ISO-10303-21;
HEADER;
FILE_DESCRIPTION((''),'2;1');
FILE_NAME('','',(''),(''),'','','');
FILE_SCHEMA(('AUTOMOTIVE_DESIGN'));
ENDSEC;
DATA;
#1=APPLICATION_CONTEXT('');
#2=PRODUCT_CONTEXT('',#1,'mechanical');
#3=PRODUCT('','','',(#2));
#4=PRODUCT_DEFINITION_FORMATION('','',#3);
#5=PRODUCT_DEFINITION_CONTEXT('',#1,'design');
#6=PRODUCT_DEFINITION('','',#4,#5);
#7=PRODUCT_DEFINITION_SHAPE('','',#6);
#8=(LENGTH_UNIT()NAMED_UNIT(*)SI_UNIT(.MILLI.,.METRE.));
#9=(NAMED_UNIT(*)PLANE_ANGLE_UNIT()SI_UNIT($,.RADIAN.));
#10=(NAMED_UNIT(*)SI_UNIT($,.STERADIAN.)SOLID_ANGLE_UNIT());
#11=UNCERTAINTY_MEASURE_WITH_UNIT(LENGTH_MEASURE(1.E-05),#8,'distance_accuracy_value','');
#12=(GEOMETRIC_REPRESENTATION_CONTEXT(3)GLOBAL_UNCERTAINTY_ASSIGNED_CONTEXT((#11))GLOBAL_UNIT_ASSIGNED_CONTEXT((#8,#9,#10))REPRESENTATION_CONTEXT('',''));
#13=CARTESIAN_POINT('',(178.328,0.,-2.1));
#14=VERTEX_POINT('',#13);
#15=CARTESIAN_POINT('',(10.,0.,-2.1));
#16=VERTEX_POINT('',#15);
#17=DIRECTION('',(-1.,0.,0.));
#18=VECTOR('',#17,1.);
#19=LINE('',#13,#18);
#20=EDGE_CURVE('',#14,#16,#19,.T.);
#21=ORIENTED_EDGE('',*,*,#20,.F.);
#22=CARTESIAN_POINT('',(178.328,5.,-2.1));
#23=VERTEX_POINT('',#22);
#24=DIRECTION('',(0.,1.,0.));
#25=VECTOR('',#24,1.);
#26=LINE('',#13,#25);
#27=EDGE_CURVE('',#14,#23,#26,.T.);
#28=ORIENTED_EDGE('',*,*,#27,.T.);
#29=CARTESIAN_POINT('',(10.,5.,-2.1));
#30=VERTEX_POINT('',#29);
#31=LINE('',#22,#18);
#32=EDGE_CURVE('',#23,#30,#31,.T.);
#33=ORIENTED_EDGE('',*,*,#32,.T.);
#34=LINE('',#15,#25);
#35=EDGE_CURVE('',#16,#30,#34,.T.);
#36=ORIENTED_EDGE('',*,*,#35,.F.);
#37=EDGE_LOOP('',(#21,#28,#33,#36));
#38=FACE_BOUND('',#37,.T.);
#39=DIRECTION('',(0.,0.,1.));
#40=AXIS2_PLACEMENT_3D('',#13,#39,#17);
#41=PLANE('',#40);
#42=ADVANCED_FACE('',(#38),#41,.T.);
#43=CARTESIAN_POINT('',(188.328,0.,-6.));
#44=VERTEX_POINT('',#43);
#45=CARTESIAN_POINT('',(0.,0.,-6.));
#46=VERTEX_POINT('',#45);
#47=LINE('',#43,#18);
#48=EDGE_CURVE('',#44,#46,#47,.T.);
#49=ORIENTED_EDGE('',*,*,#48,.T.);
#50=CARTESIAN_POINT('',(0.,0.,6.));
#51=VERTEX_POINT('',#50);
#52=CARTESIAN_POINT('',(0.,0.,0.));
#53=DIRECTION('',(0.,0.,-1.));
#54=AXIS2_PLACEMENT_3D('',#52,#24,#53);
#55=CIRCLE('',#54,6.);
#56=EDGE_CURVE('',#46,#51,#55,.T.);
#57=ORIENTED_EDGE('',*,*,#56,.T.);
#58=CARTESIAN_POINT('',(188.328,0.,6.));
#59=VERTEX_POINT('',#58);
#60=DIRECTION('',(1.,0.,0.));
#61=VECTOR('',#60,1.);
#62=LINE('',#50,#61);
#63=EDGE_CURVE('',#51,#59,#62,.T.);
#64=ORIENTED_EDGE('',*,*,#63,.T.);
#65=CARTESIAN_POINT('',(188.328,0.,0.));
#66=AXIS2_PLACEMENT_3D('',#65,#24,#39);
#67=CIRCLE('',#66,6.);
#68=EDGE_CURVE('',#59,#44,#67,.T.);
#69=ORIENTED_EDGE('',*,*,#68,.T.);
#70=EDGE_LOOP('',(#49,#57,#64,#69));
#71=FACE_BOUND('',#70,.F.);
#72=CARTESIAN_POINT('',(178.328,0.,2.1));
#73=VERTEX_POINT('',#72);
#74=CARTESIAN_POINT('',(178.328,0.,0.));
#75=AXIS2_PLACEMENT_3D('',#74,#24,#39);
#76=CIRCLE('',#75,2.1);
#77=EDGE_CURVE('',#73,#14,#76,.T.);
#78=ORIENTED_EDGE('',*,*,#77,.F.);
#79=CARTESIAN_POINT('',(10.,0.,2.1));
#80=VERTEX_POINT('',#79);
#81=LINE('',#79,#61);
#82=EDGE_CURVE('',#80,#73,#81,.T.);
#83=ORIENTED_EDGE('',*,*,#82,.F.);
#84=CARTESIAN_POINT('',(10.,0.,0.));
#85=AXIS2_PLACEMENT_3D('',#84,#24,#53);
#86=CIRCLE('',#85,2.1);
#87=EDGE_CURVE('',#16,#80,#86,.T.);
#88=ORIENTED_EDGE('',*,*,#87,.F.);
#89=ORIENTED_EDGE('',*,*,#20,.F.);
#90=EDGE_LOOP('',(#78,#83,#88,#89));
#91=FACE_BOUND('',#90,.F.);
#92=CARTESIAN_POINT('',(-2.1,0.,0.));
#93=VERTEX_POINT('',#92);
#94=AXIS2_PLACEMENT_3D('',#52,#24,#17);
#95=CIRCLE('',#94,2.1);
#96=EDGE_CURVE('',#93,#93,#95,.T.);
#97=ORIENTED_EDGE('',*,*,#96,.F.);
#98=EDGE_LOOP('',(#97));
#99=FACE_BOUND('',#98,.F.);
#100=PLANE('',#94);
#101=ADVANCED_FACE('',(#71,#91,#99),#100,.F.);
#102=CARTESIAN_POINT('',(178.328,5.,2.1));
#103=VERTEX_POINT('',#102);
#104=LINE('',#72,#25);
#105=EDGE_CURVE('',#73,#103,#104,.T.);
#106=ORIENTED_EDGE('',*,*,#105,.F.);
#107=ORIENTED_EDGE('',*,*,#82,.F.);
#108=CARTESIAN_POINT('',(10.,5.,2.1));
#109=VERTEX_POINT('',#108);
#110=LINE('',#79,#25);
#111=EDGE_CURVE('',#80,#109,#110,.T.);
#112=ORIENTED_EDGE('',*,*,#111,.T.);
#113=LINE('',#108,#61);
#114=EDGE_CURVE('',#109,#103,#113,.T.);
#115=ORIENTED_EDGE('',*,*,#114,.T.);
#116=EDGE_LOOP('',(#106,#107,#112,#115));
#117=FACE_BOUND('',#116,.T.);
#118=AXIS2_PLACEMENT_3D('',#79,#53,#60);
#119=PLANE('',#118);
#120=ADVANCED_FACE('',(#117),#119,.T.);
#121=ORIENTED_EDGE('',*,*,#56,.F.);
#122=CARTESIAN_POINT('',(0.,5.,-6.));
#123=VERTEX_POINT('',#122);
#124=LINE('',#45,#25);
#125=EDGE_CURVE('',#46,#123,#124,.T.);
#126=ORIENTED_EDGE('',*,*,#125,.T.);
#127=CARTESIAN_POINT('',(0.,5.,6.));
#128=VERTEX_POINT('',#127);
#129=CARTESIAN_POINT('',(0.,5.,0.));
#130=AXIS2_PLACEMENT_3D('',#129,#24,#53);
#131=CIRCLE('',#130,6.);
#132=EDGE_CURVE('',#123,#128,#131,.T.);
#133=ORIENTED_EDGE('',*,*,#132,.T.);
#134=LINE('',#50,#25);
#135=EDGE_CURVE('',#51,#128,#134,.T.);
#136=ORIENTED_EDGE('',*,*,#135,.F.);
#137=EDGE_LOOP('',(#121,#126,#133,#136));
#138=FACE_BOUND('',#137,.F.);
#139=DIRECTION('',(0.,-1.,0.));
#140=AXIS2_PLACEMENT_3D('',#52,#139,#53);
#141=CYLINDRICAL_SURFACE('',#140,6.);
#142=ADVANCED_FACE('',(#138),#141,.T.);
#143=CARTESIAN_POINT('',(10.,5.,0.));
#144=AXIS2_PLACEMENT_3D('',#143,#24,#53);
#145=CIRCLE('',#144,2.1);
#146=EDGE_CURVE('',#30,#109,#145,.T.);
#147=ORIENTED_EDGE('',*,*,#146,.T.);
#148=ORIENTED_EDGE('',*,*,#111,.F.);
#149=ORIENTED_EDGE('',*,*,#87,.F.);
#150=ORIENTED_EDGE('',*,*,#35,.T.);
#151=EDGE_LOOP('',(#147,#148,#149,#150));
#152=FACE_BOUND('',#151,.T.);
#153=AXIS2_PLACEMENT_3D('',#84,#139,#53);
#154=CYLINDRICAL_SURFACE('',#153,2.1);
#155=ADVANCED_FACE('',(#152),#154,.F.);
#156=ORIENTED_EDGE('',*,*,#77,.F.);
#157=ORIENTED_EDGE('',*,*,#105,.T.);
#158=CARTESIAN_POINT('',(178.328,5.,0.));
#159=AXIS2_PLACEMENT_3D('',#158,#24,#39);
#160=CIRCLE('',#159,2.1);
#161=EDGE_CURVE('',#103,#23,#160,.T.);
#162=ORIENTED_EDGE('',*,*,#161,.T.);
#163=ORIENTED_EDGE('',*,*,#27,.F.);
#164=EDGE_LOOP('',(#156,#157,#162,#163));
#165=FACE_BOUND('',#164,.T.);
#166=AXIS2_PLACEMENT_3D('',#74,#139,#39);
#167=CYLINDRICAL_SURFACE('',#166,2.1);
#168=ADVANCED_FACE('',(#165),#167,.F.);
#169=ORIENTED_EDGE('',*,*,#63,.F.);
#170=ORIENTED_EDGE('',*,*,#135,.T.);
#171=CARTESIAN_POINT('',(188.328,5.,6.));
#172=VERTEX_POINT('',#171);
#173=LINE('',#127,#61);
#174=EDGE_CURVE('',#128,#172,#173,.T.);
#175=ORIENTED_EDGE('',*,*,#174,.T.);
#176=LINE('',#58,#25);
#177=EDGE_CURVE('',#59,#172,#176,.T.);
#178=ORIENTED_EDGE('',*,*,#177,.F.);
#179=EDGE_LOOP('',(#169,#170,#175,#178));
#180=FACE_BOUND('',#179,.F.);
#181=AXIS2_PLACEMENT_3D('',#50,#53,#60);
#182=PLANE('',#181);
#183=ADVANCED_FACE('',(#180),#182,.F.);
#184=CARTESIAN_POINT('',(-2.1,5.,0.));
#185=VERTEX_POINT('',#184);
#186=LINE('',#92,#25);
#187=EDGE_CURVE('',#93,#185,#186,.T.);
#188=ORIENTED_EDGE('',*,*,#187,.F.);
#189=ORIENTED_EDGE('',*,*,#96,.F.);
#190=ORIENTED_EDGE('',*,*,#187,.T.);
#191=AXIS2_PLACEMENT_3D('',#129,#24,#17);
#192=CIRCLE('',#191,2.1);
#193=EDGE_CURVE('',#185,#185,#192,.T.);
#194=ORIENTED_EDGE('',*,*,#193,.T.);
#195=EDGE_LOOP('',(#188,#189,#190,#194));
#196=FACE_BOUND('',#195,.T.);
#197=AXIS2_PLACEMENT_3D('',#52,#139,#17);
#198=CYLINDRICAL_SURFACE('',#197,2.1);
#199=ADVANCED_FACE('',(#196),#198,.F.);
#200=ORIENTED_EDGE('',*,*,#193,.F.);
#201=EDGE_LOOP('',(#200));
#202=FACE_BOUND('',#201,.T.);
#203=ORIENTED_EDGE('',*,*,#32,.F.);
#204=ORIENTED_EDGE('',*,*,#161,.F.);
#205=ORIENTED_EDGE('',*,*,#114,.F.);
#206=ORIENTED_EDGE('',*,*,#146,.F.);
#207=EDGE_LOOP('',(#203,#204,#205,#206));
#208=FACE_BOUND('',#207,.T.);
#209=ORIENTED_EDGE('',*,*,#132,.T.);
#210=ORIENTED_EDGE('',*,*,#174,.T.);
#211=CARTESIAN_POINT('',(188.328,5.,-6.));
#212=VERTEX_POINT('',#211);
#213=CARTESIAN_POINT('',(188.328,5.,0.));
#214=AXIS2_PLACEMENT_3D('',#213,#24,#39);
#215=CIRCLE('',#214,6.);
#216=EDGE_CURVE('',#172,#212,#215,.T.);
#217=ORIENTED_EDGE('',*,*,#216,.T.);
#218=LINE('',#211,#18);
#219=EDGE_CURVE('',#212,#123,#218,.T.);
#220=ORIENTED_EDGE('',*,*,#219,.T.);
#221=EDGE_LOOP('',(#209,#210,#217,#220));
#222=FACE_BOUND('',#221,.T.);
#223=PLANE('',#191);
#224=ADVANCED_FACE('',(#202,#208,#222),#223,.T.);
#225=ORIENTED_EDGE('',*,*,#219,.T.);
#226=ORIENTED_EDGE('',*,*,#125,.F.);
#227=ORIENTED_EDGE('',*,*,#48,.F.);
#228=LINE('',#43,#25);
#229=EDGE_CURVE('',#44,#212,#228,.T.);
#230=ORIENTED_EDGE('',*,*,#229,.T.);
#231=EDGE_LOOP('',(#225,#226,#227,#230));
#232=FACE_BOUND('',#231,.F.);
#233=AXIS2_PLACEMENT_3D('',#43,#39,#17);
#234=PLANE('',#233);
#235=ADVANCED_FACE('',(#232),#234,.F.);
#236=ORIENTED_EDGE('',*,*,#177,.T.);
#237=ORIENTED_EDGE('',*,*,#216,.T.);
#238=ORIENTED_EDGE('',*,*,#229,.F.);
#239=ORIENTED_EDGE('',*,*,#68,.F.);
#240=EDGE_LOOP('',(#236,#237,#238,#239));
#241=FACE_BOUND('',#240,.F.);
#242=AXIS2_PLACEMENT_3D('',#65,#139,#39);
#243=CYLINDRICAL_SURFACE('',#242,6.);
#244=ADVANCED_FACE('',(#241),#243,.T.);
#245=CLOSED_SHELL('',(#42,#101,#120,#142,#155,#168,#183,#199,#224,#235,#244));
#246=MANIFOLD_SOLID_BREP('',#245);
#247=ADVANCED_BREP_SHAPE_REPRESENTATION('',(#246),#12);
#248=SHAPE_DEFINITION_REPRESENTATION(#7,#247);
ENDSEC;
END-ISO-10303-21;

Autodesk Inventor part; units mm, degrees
ref_plane "YZ Plane" through (0, 0, 0) normal (1, 0, 0) x (0, 1, 0)
ref_plane "XZ Plane" through (0, 0, 0) normal (0, 1, 0) x (-1, 0, 0)
ref_plane "XY Plane" through (0, 0, 0) normal (0, 0, 1) x (1, 0, 0)
sketch "Sketch1" plane through (0, 0, 0) normal (0, 1, 0) x (-1, 0, 0)
  line L0 (0, 0) -> (-188.328, 0) construction
  line L1 (0, 6) -> (-188.328, 6)
  line L2 (-188.328, -6) -> (0, -6)
  arc A0 (0, -6) -> (0, 6) centre (0, 0) ccw
  arc A1 (-188.328, 6) -> (-188.328, -6) centre (-188.328, 0) ccw
  circle A2 centre (0, 0) radius 2.1
  line L3 (-10, 0) -> (-178.328, 0) construction
  line L4 (-10, 2.1) -> (-178.328, 2.1)
  line L5 (-178.328, -2.1) -> (-10, -2.1)
  arc A3 (-10, -2.1) -> (-10, 2.1) centre (-10, 0) ccw
  arc A4 (-178.328, 2.1) -> (-178.328, -2.1) centre (-178.328, 0) ccw
  point P0 (-94.164, 0)
  point P1 (-94.164, 0)
  dimension "d0" = 188.328
  dimension "d1" = 12
  dimension "d2" = 4.2
  dimension "d3" = 4.2
  dimension "d6" = 10
  dimension "d7" = 10
extrude "Extrusion1" add sketch "Sketch1" along normal blind 5
